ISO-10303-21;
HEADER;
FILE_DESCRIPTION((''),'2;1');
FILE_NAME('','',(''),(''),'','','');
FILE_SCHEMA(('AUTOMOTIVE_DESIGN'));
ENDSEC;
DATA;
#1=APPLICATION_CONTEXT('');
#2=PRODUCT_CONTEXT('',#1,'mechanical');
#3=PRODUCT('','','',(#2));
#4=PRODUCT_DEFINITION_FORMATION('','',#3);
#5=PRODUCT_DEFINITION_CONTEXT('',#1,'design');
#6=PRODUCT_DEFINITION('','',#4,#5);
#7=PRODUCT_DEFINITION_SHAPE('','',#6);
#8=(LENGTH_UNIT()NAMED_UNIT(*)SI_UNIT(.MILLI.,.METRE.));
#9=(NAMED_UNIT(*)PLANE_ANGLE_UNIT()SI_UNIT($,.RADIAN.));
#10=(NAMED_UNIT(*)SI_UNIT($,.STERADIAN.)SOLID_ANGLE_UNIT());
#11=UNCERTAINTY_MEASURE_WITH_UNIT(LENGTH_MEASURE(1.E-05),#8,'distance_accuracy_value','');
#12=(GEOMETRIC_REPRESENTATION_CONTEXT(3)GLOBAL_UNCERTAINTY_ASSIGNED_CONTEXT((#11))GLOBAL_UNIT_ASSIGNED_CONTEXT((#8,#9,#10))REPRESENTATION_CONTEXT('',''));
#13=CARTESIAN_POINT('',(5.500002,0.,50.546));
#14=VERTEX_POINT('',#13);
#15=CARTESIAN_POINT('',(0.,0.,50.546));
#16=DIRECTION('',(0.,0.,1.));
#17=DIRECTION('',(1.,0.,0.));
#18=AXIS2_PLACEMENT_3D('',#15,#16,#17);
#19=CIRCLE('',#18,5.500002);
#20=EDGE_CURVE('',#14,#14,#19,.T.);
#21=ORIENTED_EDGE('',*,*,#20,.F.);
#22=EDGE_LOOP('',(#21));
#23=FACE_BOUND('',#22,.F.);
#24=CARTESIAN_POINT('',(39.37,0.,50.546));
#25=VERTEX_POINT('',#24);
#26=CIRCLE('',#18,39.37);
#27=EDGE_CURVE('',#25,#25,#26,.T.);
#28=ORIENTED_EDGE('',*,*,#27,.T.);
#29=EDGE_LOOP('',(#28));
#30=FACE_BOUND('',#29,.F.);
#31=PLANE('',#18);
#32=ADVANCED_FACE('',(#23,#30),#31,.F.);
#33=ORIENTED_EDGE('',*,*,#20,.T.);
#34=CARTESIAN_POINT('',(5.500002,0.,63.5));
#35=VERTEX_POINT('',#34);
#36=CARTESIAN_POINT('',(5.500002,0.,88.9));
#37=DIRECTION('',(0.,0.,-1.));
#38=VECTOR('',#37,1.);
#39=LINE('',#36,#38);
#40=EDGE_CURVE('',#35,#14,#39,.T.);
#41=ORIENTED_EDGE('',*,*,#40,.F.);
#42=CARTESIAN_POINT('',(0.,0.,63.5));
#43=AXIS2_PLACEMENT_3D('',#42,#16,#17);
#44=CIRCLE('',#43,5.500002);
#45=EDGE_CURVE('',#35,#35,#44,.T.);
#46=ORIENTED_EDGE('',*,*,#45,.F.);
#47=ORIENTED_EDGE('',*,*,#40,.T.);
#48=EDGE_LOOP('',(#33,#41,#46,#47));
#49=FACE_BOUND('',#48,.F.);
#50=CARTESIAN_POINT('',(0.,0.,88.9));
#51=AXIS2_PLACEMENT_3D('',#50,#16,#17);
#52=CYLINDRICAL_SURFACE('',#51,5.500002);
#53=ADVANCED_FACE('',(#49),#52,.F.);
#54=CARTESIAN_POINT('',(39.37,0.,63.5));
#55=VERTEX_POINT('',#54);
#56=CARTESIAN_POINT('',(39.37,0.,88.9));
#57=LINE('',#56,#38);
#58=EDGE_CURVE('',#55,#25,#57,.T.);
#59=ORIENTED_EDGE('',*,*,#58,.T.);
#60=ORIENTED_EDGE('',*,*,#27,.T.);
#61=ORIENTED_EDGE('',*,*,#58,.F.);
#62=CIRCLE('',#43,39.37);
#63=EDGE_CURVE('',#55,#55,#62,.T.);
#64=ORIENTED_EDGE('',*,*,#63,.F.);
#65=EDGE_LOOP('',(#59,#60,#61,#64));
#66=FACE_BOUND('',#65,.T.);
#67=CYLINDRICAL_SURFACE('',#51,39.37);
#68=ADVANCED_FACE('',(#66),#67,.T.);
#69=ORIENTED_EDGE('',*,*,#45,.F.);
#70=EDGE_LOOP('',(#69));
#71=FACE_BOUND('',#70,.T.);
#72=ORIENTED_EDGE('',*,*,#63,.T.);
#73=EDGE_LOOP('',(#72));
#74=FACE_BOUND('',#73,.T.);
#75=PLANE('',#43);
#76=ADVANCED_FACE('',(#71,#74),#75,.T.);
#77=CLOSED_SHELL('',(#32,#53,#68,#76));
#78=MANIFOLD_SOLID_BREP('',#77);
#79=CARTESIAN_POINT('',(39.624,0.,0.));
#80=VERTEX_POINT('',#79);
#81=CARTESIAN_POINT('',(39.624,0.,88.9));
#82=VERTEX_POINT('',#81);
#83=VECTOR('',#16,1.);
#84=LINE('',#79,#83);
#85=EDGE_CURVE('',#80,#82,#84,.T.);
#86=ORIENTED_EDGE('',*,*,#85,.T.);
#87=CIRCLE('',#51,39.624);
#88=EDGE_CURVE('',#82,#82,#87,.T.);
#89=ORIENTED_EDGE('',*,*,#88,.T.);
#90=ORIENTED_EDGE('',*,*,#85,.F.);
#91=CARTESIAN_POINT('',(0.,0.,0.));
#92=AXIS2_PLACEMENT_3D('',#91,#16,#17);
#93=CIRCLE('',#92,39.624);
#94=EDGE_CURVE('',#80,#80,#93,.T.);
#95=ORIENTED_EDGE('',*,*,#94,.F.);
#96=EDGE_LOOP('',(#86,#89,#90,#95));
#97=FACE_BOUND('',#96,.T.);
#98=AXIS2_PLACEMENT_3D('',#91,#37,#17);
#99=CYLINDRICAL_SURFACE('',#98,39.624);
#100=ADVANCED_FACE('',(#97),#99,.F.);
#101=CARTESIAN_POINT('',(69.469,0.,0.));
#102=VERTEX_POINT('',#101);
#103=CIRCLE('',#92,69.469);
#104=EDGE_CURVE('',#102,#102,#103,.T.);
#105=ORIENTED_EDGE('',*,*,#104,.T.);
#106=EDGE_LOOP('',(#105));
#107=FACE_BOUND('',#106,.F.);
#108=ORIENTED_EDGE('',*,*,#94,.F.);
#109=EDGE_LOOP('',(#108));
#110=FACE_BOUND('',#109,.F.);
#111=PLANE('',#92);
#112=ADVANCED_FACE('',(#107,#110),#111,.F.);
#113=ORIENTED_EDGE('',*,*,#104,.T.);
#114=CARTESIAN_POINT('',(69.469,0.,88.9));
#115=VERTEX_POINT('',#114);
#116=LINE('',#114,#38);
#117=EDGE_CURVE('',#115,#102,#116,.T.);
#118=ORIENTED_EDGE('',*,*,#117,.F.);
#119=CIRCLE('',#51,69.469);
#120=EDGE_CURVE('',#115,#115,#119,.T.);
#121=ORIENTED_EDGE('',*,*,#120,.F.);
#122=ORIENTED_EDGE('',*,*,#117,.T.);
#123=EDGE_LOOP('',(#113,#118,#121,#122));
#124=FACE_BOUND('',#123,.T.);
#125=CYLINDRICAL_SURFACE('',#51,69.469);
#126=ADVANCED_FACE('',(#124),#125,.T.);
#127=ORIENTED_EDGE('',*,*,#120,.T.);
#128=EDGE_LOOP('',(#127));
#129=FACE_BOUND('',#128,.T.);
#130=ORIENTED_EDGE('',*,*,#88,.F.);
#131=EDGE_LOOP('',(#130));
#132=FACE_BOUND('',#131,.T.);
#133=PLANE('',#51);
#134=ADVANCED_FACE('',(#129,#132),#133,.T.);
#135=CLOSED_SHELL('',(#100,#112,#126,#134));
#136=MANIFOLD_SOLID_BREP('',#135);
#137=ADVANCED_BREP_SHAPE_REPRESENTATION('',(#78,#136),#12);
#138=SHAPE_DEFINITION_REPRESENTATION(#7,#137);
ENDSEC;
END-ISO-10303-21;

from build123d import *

# Parameters (mm, degrees)
F0_R        = 50.8
F0_R_2      = 39.624
F1_DEPTH    = 88.9
F2_R        = 39.37
F2_R_2      = 5.500002
F3_DEPTH    = 38.354
F3_FACE_R   = 39.37
F3_FACE_R_2 = 5.500002
F4_DEPTH    = 25.4
F5_R        = 69.469
F5_R_2      = 50.8
F6_DEPTH    = 88.9


with BuildPart() as f1:
    # F0 (on Top) → F1 (new body)
    with BuildSketch(Plane.XY):
        Circle(F0_R)
        Circle(F0_R_2, mode=Mode.SUBTRACT)
    extrude(amount=F1_DEPTH)

    # F5 (on face) → F6 (join)
    with BuildSketch(Plane.XY.offset(88.9)):
        Circle(F5_R)
        Circle(F5_R_2, mode=Mode.SUBTRACT)
    extrude(amount=-F6_DEPTH)


with BuildPart() as f3:
    # F2 (on face) → F3 (new body)
    with BuildSketch(Plane.XY.offset(88.9)):
        Circle(F2_R)
        Circle(F2_R_2, mode=Mode.SUBTRACT)
    extrude(amount=-F3_DEPTH)

    # F3_face (on face) → F4 (cut)
    with BuildSketch(Plane.XY.offset(88.9)):
        Circle(F3_FACE_R)
        Circle(F3_FACE_R_2, mode=Mode.SUBTRACT)
    extrude(amount=-F4_DEPTH, mode=Mode.SUBTRACT)


solid = Compound([f1.part, f3.part])
